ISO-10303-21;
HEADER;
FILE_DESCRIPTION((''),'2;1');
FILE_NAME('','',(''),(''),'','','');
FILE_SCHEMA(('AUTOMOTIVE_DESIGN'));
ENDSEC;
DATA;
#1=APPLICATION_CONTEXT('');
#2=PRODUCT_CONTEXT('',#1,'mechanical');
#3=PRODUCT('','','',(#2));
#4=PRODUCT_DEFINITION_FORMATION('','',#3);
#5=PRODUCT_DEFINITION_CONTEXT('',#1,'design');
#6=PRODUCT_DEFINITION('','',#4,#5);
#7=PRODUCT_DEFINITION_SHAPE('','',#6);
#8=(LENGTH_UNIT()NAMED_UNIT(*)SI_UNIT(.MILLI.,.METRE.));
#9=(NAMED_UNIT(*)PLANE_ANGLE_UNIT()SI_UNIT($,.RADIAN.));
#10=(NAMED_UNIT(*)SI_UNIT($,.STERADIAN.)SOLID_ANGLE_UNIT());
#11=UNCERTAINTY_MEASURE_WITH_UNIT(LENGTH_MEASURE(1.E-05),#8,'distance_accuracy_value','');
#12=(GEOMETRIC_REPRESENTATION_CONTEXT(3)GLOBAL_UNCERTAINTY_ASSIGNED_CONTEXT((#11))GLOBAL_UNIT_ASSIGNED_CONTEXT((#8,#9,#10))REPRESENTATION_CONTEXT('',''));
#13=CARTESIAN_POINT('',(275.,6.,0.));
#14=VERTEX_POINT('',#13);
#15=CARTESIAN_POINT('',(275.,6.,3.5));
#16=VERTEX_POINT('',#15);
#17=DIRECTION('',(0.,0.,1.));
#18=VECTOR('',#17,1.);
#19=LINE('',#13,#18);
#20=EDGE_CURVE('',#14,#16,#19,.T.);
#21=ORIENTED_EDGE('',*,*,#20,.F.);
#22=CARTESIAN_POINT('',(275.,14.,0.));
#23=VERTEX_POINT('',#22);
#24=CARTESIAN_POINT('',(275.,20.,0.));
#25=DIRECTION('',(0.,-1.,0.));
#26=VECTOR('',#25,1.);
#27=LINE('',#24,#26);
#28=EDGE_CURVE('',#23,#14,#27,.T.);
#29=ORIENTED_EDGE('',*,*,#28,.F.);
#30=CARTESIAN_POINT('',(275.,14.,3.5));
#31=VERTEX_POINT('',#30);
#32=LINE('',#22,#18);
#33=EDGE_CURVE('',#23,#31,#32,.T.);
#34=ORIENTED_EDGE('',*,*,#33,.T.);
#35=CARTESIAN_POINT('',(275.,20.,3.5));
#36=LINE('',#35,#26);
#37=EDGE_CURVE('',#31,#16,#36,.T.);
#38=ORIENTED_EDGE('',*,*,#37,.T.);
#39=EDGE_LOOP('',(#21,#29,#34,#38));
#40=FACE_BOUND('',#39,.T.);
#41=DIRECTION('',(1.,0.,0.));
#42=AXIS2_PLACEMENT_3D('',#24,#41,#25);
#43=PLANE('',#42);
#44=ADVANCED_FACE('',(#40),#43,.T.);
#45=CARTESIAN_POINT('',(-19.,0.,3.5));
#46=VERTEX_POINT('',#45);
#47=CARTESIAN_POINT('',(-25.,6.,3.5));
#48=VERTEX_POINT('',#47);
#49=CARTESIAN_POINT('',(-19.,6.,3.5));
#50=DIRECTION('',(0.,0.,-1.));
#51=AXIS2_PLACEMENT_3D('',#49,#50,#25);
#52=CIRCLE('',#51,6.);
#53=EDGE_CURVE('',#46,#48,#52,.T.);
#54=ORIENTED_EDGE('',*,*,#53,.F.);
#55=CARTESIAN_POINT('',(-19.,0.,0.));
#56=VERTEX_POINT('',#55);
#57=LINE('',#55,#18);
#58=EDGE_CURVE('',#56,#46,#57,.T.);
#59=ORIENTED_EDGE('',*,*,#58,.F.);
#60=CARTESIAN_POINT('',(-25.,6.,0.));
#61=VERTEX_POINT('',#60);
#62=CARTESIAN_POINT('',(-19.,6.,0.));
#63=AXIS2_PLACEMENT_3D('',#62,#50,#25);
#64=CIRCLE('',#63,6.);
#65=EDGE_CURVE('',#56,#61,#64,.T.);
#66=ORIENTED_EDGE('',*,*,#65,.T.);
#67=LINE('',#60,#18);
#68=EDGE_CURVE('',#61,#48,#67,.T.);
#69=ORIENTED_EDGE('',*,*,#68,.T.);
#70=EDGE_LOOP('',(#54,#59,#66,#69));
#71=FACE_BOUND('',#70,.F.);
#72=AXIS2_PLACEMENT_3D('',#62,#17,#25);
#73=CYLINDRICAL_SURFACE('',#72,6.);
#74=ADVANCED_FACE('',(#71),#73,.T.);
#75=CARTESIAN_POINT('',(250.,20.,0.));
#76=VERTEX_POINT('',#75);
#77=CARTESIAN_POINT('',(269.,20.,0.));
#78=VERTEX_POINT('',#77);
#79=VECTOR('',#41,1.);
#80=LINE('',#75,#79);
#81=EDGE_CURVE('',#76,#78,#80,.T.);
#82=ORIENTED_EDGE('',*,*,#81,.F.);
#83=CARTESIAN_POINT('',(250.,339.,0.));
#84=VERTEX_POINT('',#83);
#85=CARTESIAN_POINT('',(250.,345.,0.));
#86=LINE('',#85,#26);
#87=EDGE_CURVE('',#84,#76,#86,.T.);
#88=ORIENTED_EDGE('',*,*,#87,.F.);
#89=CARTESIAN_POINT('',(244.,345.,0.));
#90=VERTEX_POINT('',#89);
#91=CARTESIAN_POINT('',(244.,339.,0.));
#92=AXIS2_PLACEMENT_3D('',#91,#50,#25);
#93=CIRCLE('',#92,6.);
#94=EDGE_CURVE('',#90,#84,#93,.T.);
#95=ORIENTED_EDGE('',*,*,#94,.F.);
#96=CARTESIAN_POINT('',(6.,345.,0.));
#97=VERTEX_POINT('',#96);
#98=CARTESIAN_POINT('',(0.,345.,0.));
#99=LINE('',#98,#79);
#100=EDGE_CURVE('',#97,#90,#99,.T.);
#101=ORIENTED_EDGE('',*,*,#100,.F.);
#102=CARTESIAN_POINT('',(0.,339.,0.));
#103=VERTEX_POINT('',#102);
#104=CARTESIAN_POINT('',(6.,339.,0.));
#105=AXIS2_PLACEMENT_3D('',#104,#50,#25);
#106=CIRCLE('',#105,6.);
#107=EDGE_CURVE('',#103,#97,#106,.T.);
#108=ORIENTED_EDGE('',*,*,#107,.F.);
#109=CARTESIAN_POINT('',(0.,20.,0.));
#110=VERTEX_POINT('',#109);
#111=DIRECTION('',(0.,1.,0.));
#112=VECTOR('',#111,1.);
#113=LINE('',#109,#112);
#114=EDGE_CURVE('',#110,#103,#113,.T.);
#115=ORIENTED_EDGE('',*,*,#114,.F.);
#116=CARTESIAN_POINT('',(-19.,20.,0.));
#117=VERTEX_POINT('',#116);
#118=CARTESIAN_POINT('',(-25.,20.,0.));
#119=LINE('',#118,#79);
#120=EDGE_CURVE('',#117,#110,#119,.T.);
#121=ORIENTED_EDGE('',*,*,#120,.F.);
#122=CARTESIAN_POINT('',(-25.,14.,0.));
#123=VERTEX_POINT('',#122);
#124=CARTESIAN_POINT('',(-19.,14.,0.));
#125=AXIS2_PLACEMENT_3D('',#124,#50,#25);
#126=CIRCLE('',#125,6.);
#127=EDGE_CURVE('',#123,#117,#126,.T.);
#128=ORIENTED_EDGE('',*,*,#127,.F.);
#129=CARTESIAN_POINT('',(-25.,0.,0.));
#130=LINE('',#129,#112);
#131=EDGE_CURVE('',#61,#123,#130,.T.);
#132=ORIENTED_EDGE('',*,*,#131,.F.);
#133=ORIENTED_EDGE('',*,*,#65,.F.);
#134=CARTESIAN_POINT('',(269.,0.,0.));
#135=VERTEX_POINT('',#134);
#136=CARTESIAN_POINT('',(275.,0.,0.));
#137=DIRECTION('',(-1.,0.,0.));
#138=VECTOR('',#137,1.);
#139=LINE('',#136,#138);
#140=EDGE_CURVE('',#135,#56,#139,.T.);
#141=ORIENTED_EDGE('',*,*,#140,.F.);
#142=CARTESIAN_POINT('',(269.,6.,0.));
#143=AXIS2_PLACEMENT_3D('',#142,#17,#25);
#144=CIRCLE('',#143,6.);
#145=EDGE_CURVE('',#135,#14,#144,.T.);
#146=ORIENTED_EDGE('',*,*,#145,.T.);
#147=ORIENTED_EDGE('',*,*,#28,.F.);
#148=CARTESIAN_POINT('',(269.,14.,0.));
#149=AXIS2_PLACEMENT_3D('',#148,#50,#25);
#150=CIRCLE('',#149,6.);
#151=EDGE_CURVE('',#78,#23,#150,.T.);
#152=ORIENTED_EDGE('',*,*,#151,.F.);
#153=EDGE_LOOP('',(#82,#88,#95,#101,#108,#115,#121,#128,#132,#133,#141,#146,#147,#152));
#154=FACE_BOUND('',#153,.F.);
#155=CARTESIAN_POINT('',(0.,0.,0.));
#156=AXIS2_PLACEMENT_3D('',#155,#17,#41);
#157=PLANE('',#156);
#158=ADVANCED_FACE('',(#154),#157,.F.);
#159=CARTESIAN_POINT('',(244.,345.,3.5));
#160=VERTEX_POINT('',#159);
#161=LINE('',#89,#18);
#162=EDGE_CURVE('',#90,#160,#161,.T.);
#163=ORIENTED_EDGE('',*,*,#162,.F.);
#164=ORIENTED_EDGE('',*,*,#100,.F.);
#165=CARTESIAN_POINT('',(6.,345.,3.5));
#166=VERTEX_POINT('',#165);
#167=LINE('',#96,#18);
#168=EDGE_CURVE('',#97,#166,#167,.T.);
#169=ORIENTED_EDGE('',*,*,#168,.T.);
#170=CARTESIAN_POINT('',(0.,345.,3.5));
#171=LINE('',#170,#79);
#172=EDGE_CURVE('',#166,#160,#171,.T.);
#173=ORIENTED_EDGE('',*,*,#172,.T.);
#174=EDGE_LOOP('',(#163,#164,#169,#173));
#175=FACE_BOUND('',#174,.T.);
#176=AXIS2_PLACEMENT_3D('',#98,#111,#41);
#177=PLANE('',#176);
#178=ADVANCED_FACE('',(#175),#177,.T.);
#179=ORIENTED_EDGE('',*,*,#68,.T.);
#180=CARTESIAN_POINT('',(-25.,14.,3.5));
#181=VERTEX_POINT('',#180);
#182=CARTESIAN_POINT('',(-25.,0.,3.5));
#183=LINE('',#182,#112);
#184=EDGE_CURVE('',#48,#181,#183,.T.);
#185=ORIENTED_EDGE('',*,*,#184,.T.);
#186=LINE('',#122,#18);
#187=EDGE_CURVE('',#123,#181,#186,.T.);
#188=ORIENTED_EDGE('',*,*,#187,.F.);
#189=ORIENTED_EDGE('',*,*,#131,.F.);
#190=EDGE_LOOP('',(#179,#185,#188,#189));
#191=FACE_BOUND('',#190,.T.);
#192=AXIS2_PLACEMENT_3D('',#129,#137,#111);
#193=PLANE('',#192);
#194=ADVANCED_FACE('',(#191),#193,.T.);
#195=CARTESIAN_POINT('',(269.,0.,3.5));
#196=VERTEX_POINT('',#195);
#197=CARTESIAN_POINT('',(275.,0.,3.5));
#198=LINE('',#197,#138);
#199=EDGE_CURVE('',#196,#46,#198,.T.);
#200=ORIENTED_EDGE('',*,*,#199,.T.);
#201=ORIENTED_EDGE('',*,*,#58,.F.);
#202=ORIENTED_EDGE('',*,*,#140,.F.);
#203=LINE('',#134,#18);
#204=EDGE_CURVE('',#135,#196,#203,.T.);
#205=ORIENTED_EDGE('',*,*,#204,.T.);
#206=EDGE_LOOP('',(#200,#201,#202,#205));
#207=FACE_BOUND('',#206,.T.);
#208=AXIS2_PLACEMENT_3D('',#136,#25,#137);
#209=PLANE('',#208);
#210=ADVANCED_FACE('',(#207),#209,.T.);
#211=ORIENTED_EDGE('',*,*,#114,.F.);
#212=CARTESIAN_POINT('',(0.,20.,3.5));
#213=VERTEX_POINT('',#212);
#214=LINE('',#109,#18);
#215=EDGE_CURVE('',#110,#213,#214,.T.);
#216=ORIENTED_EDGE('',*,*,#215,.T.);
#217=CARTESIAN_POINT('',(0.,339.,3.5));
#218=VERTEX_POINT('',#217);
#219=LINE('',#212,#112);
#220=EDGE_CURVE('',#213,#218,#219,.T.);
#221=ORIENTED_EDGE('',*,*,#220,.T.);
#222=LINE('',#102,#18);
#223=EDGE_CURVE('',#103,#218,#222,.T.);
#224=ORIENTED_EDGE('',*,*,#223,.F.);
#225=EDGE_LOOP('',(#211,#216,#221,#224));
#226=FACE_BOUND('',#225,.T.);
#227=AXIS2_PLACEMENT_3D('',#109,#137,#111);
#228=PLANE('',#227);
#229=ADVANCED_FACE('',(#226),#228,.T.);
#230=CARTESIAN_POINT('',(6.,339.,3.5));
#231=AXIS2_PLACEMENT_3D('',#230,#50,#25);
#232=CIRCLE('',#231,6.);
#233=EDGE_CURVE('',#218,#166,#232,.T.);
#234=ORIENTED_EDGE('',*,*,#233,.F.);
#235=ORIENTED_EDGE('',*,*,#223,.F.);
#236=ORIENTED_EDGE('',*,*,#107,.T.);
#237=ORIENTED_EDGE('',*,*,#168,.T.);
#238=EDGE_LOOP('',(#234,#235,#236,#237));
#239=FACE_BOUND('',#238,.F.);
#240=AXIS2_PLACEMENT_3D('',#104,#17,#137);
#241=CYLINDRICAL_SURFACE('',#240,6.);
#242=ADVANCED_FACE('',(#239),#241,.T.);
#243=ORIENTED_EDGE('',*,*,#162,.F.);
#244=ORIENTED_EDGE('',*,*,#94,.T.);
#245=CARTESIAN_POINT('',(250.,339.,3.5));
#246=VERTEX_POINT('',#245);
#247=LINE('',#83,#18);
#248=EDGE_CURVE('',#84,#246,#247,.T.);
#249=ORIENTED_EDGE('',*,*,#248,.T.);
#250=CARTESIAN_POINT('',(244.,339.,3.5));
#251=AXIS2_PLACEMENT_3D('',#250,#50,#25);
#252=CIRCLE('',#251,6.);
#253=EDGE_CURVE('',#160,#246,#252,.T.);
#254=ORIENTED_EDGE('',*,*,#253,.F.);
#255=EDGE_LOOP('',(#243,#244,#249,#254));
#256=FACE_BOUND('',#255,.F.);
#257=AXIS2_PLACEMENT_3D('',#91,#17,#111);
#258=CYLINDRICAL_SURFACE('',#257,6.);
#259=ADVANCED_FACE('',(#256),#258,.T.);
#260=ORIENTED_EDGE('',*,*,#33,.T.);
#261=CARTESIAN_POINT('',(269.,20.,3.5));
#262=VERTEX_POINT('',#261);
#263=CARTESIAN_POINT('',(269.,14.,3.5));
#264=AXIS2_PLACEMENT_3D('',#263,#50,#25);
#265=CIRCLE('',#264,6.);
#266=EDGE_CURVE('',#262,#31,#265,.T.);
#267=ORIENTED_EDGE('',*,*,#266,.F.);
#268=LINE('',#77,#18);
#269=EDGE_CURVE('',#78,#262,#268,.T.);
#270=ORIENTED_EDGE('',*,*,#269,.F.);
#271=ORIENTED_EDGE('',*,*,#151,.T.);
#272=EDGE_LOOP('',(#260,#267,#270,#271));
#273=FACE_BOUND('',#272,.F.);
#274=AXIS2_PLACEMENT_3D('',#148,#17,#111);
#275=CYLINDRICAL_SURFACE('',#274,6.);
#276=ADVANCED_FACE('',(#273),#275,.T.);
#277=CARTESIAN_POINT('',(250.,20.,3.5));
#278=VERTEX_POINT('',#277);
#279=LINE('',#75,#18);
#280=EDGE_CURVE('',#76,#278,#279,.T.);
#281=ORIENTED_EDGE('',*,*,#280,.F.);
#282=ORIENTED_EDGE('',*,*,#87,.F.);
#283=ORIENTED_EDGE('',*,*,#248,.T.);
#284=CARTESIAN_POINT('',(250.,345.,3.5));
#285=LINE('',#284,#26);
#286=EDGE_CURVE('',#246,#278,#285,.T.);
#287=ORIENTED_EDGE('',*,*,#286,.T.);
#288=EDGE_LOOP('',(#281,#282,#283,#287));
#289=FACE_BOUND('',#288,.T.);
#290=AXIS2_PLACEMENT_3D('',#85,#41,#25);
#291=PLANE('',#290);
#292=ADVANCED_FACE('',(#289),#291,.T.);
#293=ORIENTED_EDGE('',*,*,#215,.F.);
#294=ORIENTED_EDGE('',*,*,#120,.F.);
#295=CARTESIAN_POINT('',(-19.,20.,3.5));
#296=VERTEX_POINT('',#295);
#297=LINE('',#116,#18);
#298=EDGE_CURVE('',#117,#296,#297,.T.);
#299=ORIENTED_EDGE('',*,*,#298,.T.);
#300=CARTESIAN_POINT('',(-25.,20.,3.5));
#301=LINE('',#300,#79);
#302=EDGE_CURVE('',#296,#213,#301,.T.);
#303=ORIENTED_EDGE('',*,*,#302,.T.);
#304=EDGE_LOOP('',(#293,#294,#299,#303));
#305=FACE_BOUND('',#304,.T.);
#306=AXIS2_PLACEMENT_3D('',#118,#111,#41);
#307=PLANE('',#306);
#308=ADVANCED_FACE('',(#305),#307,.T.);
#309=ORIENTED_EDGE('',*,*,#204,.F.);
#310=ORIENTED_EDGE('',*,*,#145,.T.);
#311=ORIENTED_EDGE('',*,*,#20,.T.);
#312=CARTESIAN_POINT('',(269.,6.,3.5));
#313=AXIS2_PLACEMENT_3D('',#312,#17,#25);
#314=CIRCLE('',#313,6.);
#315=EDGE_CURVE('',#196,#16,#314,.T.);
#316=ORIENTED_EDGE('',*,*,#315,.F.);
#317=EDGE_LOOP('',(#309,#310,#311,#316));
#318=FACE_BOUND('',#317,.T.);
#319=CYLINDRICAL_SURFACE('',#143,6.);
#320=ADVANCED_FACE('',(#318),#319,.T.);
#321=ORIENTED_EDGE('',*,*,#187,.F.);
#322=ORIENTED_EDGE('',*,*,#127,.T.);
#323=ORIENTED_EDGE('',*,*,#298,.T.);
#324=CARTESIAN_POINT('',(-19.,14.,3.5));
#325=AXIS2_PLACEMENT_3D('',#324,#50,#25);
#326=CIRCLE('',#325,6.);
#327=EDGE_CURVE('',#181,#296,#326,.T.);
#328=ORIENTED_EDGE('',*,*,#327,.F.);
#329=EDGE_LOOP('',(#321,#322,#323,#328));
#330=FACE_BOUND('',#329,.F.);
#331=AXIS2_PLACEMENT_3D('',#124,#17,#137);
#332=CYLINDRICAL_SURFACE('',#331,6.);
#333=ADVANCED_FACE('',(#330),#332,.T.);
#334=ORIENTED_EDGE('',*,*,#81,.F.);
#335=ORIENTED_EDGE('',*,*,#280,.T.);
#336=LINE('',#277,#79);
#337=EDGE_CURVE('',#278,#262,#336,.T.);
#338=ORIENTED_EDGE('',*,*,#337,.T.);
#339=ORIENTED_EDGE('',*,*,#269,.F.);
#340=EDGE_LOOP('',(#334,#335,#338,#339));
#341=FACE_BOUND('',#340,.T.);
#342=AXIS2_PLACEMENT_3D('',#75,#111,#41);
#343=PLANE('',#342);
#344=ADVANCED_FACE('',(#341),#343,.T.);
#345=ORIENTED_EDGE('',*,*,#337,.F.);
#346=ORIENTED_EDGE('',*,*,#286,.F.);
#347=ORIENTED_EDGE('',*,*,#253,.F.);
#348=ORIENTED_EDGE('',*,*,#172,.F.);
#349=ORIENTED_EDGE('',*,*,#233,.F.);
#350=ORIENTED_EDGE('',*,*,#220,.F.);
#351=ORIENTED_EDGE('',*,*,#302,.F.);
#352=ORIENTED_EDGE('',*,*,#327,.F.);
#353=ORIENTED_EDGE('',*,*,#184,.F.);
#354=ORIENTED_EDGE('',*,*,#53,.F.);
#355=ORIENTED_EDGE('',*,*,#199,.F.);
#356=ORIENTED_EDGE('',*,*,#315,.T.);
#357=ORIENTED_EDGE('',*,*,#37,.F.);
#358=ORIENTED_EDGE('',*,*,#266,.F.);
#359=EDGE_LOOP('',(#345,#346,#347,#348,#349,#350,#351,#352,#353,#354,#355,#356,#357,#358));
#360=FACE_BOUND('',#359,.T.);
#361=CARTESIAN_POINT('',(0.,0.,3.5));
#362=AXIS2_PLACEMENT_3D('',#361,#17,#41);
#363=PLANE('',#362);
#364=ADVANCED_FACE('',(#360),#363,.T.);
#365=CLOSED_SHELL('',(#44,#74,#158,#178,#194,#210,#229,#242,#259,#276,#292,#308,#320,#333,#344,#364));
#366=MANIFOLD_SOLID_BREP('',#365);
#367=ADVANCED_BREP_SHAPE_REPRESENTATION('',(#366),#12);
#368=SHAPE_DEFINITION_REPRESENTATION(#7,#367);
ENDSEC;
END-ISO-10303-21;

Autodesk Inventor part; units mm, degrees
ref_plane "YZ Plane" through (0, 0, 0) normal (1, 0, 0) x (0, 1, 0)
ref_plane "XZ Plane" through (0, 0, 0) normal (0, 1, 0) x (-1, 0, 0)
ref_plane "XY Plane" through (0, 0, 0) normal (0, 0, 1) x (1, 0, 0)
sketch "Sketch1" plane through (0, 0, 0) normal (0, 0, 1) x (1, 0, 0)
  line L0 (0, 0) -> (250, 0) construction
  line L1 (250, 0) -> (250, 345) construction
  line L2 (250, 345) -> (0, 345) construction
  line L3 (0, 345) -> (0, 0) construction
  line L4 (0, 0) -> (-25, 0) construction
  line L5 (-25, 0) -> (275, 0) construction
  line L6 (275, 0) -> (275, 20) construction
  line L7 (275, 20) -> (-25, 20) construction
  line L8 (-25, 20) -> (-25, 0) construction
  line L9 (275, 0) -> (-25, 0)
  line L10 (-25, 0) -> (-25, 20)
  line L11 (-25, 20) -> (0, 20)
  line L12 (0, 20) -> (0, 345)
  line L13 (0, 345) -> (250, 345)
  line L14 (250, 345) -> (250, 20)
  line L15 (250, 20) -> (275, 20)
  line L16 (275, 20) -> (275, 0)
  dimension "d0" = 250
  dimension "d2" = 25
  dimension "d3" = 300
  dimension "d7" = 325
  dimension "d8" = 20
extrude "Extrusion1" add sketch "Sketch1" along normal blind 3.5
fillet "Fillet1" radius 6 6 edges at (250, 345, 1.75) (0, 345, 1.75) (-25, 20, 1.75) (275, 20, 1.75) (275, 0, 1.75) (-25, 0, 1.75)
properties part number "Tapa"
